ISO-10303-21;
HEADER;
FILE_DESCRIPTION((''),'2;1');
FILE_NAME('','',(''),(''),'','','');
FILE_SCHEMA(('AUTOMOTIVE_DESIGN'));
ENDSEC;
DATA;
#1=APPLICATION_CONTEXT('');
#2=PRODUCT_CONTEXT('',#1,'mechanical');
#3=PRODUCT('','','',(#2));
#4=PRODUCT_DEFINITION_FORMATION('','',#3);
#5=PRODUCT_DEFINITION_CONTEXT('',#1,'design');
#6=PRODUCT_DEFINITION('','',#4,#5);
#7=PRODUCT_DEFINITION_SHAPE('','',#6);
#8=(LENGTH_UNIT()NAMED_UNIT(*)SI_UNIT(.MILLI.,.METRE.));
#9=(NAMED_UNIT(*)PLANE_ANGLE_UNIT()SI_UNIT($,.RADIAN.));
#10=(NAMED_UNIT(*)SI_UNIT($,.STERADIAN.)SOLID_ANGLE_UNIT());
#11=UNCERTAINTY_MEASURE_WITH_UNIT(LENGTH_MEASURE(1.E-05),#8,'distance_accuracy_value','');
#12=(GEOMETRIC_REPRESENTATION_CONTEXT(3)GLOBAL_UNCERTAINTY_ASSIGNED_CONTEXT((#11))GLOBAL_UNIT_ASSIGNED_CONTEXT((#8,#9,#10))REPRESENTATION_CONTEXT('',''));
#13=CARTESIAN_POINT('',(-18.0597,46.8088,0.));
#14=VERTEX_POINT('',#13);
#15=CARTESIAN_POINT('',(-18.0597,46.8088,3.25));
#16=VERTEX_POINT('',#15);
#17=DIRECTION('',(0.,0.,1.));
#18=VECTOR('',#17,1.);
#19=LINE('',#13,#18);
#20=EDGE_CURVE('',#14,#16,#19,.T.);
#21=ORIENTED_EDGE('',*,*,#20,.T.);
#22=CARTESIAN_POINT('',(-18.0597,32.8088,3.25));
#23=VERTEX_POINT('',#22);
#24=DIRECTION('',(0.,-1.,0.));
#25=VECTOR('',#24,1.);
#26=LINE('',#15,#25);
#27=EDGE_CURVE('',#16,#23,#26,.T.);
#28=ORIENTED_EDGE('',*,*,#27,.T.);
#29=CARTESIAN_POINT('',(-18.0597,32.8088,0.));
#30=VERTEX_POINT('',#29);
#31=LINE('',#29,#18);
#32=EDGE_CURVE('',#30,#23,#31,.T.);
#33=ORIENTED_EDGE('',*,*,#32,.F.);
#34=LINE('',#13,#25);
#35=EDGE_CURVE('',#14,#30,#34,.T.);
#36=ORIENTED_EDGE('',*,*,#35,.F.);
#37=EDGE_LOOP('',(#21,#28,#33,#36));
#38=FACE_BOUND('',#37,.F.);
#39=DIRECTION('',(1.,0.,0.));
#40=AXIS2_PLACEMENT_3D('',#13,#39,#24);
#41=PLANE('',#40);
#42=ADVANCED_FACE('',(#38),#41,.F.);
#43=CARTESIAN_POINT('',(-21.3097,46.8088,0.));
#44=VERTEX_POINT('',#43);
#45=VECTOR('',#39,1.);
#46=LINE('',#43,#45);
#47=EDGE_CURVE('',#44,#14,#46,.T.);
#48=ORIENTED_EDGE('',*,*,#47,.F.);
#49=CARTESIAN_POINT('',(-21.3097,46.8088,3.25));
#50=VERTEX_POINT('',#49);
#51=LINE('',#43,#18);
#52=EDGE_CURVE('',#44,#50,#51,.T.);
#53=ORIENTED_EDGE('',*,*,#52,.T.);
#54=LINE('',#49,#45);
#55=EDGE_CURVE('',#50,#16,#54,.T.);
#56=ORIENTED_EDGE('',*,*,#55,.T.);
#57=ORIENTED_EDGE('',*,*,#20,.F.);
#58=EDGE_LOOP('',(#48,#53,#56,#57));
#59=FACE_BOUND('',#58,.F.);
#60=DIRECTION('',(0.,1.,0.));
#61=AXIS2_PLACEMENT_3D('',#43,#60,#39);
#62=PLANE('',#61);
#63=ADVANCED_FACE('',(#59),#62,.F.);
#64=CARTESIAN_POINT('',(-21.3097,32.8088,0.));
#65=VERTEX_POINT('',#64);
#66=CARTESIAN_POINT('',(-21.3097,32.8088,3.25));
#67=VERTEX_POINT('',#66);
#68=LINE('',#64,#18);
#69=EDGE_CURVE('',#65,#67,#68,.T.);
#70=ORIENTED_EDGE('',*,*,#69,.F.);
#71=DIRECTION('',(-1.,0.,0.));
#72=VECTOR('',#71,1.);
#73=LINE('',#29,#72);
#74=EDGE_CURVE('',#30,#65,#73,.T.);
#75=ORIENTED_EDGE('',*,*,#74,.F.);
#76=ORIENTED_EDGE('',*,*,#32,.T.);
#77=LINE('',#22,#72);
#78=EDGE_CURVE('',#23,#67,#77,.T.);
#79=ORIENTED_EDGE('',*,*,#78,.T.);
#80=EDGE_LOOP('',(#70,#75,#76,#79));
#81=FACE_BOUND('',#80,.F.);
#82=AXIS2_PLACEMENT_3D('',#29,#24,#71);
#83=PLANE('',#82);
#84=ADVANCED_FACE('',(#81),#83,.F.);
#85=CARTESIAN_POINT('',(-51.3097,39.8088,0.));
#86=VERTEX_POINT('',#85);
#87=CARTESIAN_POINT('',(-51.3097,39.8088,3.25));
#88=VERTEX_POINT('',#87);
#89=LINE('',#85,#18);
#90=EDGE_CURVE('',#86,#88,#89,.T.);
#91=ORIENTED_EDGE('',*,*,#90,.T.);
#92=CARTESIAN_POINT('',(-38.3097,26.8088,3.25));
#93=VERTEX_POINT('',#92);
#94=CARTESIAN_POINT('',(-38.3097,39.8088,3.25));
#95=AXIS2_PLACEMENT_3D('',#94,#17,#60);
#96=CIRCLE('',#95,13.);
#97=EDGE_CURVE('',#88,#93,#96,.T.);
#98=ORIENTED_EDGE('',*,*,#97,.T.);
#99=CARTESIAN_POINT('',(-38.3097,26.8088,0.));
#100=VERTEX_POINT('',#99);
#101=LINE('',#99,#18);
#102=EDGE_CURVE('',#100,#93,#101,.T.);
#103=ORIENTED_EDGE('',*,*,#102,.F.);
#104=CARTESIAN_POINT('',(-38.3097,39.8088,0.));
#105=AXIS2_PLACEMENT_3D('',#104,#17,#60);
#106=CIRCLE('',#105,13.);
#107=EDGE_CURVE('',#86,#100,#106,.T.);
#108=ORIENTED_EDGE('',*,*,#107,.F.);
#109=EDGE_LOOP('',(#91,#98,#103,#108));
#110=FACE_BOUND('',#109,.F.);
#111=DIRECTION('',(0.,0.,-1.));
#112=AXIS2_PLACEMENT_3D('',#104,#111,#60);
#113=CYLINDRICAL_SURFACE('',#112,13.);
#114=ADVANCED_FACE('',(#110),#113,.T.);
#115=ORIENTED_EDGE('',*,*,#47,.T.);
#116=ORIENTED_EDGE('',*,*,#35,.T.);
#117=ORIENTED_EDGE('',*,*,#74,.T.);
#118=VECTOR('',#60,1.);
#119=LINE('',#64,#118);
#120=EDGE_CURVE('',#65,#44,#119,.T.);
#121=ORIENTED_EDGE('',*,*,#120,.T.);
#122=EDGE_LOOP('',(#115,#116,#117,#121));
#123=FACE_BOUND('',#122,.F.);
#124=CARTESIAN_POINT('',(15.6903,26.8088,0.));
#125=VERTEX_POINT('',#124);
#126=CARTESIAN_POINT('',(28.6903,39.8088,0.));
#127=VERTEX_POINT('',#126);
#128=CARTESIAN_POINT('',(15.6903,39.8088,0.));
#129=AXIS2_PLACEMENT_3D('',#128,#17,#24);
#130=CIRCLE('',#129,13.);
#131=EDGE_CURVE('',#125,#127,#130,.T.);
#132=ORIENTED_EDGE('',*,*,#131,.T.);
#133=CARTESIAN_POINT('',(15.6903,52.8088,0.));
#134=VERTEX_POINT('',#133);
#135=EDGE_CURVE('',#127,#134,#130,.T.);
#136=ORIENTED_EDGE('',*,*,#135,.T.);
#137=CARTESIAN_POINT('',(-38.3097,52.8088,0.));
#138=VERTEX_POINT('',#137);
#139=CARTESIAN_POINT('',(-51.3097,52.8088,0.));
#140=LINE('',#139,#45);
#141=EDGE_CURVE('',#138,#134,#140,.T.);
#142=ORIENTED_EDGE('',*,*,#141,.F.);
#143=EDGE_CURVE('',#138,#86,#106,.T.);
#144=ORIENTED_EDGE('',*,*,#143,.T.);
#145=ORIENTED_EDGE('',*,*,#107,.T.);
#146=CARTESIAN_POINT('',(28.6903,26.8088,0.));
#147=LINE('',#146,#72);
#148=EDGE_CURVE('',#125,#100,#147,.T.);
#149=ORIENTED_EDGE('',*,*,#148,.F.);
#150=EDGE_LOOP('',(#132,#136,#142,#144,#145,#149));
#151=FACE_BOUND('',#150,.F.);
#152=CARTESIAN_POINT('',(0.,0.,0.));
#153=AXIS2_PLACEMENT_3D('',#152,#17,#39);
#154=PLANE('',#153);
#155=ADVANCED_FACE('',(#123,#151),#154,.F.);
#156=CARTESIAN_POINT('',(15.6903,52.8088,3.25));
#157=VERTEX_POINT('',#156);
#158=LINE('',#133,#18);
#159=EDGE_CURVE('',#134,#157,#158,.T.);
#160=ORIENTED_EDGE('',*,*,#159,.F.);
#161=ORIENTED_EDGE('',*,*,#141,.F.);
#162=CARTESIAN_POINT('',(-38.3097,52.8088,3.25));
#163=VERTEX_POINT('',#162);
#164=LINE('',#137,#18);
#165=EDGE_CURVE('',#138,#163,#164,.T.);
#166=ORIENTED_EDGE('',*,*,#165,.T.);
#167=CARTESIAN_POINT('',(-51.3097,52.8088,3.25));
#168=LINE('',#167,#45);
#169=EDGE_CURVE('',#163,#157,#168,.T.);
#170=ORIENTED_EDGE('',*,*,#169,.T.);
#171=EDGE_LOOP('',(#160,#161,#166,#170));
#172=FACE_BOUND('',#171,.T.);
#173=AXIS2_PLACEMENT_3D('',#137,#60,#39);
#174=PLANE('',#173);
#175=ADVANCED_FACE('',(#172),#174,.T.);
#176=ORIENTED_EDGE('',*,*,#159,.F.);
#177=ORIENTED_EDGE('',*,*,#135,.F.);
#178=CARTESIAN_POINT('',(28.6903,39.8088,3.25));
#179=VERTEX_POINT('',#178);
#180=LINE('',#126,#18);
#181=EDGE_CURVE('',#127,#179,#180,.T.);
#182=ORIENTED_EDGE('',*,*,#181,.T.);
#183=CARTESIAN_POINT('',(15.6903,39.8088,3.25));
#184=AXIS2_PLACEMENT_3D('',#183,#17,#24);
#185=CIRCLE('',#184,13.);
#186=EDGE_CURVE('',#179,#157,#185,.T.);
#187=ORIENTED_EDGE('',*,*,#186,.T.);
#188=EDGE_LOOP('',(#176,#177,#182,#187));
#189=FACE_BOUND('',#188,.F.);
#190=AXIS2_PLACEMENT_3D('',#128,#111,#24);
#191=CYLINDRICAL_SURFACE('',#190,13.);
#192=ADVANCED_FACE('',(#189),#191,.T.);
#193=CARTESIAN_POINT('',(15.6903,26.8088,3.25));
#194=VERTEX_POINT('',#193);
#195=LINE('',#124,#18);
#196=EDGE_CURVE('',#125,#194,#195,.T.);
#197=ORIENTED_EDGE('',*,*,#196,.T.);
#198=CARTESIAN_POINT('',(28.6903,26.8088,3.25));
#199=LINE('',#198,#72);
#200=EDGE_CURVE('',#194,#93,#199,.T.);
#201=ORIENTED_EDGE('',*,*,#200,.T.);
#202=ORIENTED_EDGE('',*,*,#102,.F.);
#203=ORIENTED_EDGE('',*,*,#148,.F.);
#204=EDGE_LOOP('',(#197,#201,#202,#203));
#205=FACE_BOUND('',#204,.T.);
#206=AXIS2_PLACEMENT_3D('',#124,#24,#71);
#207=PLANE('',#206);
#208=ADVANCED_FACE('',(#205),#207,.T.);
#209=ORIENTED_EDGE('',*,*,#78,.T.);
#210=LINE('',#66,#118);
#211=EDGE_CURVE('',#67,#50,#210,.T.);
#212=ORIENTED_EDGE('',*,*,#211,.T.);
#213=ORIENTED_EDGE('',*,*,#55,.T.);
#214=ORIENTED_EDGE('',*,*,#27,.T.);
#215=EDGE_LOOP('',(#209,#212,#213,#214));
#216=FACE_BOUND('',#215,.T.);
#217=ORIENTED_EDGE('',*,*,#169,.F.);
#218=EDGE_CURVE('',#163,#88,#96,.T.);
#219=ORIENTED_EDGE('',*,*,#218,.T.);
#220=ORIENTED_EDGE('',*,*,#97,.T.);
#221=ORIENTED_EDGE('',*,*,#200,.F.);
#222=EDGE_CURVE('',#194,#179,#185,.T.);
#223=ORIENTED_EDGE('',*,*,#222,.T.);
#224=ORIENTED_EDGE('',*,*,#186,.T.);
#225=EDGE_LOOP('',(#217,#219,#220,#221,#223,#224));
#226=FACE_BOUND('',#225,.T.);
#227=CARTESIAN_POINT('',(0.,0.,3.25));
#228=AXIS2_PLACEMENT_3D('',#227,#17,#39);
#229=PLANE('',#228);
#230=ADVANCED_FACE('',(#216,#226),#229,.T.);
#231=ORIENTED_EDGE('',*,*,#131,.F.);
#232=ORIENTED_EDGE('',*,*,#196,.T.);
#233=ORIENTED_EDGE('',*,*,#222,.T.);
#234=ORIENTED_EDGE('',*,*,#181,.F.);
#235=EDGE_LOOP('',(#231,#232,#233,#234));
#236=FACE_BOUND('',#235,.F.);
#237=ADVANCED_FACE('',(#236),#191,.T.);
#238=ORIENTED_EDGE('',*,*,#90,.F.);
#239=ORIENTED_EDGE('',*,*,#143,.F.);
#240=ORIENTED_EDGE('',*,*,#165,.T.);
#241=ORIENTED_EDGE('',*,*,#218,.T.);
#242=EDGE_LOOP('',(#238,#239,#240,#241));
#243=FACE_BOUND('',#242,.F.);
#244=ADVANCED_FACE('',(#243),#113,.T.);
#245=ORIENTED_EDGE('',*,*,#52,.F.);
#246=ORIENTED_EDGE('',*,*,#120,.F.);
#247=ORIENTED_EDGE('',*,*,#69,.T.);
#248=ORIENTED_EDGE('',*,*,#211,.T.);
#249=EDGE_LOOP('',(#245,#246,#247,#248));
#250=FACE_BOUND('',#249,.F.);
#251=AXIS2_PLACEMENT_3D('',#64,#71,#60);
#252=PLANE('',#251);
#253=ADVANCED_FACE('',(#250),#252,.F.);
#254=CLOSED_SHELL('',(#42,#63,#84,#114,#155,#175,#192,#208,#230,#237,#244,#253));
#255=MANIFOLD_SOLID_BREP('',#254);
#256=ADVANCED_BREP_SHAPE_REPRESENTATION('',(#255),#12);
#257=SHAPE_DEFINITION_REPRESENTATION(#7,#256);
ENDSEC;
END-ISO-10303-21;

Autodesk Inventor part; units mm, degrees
ref_plane "YZ Plane" through (0, 0, 0) normal (1, 0, 0) x (0, 1, 0)
ref_plane "XZ Plane" through (0, 0, 0) normal (0, 1, 0) x (-1, 0, 0)
ref_plane "XY Plane" through (0, 0, 0) normal (0, 0, 1) x (1, 0, 0)
sketch "Block1" plane through (0, 0, 0) normal (0, 0, 1) x (1, 0, 0)
  circle A0 centre (74.029, 24.2723) radius 1
  line L0 (49.279, 30.4723) -> (71.779, 30.4723)
  line L1 (71.779, 30.4723) -> (71.779, 18.0723)
  line L2 (71.779, 18.0723) -> (49.279, 18.0723)
  line L3 (49.279, 18.0723) -> (49.279, 30.4723)
  line L4 (49.279, 30.4723) -> (44.779, 30.4723)
  line L5 (44.779, 30.4723) -> (44.779, 18.0723)
  line L6 (44.779, 18.0723) -> (49.279, 18.0723)
  line L7 (49.279, 18.0723) -> (49.279, 30.4723)
  line L8 (71.779, 30.4723) -> (76.279, 30.4723)
  line L9 (76.279, 30.4723) -> (76.279, 18.0723)
  line L10 (76.279, 18.0723) -> (71.779, 18.0723)
  line L11 (71.779, 18.0723) -> (71.779, 30.4723)
  line L12 (44.779, 24.2723) -> (76.279, 24.2723) construction
  line L13 (47.029, 30.4723) -> (47.029, 18.0723) construction
  circle A1 centre (47.029, 24.2723) radius 1
  line L14 (74.029, 30.4723) -> (74.029, 18.0723) construction
  point P0 (60.979, 24.0984)
  dimension "d7" = 22.5
  dimension "d8" = 12.4
  dimension "d9" = 4.5
  dimension "d10" = 4.5
  dimension "d11" = 2
  dimension "d12" = 2
sketch "Sketch1" plane through (0, 0, 0) normal (0, 0, 1) x (1, 0, 0)
  line L0 (-92.7646, -8.503) -> (-89.7646, -8.503)
  line L1 (-89.7646, -8.503) -> (-89.7646, -11.753)
  line L2 (-89.7646, -11.753) -> (-92.7646, -11.753)
  line L3 (-92.7646, -11.753) -> (-92.7646, -8.503)
  line L4 (-92.7646, -21.6527) -> (-89.7646, -21.6527)
  line L5 (-89.7646, -21.6527) -> (-89.7646, -21.7527)
  line L6 (-89.7646, -21.7527) -> (-92.7646, -21.7527)
  line L7 (-92.7646, -21.7527) -> (-92.7646, -21.6527)
  line L8 (-51.3097, 52.8088) -> (28.6903, 52.8088)
  line L9 (28.6903, 52.8088) -> (28.6903, 26.8088)
  line L10 (28.6903, 26.8088) -> (-51.3097, 26.8088)
  line L11 (-51.3097, 26.8088) -> (-51.3097, 52.8088)
  line L12 (-51.3097, 39.8088) -> (28.6903, 39.8088) construction
  line L13 (-21.3097, 46.8088) -> (-18.0597, 46.8088)
  line L14 (-18.0597, 46.8088) -> (-18.0597, 32.8088)
  line L15 (-18.0597, 32.8088) -> (-21.3097, 32.8088)
  line L16 (-21.3097, 32.8088) -> (-21.3097, 46.8088)
  line L17 (-21.3097, 39.8088) -> (-18.0597, 39.8088) construction
  line L18 (-38.3097, 52.8088) -> (-38.3097, 26.8088) construction
  arc A0 (-38.3097, 52.8088) -> (-38.3097, 26.8088) centre (-38.3097, 39.8088) ccw
  line L19 (-11.3097, 52.8088) -> (-11.3097, 26.8088) construction
  line L20 (15.6903, 52.8088) -> (15.6903, 26.8088) construction
  arc A1 (15.6903, 26.8088) -> (15.6903, 52.8088) centre (15.6903, 39.8088) ccw
  point P0 (0, 0)
  dimension "d0" = 3
  dimension "mat" = 3.25
  dimension "d2" = 3
  dimension "d3" = 0.1
  dimension "d23" = 80
  dimension "d24" = 26
  dimension "d29" = 3.25
  dimension "d30" = 14
  dimension "d31" = 30
  dimension "d38" = 13
  dimension "d39" = 13
extrude "Extrusion6" add sketch "Sketch1" along normal blind 3.25 contours L8 A1 L10 A0
equation "\"d29\" = mat"
equation "\"d42\" = mat"
properties part number "arm-servo"
